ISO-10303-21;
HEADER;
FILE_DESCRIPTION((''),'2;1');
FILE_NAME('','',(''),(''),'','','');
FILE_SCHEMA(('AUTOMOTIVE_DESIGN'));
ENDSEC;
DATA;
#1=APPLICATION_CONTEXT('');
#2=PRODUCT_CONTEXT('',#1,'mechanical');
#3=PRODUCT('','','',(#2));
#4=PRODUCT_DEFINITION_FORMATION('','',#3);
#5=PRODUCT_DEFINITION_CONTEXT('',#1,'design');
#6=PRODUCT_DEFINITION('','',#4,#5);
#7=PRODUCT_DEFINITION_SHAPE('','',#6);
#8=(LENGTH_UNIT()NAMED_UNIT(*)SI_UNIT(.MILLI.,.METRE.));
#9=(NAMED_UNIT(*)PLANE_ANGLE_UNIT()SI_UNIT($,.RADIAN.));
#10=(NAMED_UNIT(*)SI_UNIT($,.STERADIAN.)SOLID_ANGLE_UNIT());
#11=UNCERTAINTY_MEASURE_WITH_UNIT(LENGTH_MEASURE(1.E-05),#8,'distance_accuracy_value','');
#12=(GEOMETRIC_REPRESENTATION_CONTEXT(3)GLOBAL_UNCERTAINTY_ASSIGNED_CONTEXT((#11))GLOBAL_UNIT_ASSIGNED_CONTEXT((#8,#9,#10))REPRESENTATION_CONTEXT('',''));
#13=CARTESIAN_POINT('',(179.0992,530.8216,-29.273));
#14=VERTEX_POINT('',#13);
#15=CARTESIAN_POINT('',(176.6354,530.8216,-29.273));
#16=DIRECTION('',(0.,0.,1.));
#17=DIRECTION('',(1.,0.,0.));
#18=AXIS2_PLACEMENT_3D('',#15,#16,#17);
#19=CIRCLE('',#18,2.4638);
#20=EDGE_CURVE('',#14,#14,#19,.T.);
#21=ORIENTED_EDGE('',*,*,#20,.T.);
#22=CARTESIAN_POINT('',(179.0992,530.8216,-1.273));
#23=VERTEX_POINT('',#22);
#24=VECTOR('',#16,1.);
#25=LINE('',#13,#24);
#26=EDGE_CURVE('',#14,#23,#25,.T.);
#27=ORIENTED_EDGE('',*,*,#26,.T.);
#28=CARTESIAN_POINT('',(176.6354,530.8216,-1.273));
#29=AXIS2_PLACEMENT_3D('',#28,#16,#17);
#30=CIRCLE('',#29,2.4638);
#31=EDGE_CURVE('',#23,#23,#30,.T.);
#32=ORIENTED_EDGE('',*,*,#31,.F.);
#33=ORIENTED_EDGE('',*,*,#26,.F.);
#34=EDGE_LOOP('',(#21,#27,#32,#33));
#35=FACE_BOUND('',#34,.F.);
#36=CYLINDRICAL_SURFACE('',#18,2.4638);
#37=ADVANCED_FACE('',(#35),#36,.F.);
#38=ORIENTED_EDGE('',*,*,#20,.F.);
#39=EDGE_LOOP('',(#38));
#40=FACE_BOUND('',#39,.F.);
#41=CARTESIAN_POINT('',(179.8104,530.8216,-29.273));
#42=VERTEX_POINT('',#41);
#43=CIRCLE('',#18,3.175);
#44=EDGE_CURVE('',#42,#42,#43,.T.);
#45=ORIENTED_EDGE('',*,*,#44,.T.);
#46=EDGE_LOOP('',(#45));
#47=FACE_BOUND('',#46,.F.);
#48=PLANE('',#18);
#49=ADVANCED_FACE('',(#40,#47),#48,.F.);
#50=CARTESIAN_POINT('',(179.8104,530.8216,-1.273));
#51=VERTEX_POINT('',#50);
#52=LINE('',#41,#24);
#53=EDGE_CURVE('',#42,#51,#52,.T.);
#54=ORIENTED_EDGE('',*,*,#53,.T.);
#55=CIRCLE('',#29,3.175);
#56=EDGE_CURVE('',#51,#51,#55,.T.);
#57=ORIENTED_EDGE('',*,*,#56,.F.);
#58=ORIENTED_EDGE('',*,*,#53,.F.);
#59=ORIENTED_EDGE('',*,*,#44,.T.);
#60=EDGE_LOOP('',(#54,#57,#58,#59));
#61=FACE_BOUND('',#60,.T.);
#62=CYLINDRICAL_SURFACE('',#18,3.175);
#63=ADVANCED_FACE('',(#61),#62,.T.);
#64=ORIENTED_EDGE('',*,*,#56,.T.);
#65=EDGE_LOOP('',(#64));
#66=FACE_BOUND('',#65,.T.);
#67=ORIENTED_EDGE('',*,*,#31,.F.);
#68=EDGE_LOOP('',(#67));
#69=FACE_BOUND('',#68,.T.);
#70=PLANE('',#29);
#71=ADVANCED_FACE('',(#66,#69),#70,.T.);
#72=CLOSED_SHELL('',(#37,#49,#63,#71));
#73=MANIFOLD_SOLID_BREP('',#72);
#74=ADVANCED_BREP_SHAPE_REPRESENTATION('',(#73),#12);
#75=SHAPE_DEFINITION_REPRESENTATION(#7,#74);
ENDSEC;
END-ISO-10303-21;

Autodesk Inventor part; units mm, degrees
ref_plane "YZ Plane" through (0, 0, 0) normal (1, 0, 0) x (0, 1, 0)
ref_plane "XZ Plane" through (0, 0, 0) normal (0, 1, 0) x (-1, 0, 0)
ref_plane "Work Plane3" through (176.6354, 530.8216, -29.273) normal (0, 0, 1) x (1, 0, 0)
sketch "Sketch3" plane through (176.6354, 530.8216, -29.273) normal (0, 0, 1) x (1, 0, 0)
  circle A0 centre (0, 0) radius 3.175
  circle A1 centre (0, 0) radius 2.4638
sketch3d "3D Sketch1"
  line L0 (176.6354, 530.8216, -29.273) -> (176.6354, 530.8216, -1.273)
sweep "Sweep1" add profiles "Sketch3" path "3D Sketch1"
equation "\"OD\" = 6.35"
equation "\"t\" = 0.7112"
equation "\"L\" = PL"
equation "\"ID\" = 4.9276"
equation "\"PL\" = 27.9908"
equation "\"D\" = 15.24"
equation "\"Size_Designation\" = 1.2345"
properties material "Stainless Steel"
